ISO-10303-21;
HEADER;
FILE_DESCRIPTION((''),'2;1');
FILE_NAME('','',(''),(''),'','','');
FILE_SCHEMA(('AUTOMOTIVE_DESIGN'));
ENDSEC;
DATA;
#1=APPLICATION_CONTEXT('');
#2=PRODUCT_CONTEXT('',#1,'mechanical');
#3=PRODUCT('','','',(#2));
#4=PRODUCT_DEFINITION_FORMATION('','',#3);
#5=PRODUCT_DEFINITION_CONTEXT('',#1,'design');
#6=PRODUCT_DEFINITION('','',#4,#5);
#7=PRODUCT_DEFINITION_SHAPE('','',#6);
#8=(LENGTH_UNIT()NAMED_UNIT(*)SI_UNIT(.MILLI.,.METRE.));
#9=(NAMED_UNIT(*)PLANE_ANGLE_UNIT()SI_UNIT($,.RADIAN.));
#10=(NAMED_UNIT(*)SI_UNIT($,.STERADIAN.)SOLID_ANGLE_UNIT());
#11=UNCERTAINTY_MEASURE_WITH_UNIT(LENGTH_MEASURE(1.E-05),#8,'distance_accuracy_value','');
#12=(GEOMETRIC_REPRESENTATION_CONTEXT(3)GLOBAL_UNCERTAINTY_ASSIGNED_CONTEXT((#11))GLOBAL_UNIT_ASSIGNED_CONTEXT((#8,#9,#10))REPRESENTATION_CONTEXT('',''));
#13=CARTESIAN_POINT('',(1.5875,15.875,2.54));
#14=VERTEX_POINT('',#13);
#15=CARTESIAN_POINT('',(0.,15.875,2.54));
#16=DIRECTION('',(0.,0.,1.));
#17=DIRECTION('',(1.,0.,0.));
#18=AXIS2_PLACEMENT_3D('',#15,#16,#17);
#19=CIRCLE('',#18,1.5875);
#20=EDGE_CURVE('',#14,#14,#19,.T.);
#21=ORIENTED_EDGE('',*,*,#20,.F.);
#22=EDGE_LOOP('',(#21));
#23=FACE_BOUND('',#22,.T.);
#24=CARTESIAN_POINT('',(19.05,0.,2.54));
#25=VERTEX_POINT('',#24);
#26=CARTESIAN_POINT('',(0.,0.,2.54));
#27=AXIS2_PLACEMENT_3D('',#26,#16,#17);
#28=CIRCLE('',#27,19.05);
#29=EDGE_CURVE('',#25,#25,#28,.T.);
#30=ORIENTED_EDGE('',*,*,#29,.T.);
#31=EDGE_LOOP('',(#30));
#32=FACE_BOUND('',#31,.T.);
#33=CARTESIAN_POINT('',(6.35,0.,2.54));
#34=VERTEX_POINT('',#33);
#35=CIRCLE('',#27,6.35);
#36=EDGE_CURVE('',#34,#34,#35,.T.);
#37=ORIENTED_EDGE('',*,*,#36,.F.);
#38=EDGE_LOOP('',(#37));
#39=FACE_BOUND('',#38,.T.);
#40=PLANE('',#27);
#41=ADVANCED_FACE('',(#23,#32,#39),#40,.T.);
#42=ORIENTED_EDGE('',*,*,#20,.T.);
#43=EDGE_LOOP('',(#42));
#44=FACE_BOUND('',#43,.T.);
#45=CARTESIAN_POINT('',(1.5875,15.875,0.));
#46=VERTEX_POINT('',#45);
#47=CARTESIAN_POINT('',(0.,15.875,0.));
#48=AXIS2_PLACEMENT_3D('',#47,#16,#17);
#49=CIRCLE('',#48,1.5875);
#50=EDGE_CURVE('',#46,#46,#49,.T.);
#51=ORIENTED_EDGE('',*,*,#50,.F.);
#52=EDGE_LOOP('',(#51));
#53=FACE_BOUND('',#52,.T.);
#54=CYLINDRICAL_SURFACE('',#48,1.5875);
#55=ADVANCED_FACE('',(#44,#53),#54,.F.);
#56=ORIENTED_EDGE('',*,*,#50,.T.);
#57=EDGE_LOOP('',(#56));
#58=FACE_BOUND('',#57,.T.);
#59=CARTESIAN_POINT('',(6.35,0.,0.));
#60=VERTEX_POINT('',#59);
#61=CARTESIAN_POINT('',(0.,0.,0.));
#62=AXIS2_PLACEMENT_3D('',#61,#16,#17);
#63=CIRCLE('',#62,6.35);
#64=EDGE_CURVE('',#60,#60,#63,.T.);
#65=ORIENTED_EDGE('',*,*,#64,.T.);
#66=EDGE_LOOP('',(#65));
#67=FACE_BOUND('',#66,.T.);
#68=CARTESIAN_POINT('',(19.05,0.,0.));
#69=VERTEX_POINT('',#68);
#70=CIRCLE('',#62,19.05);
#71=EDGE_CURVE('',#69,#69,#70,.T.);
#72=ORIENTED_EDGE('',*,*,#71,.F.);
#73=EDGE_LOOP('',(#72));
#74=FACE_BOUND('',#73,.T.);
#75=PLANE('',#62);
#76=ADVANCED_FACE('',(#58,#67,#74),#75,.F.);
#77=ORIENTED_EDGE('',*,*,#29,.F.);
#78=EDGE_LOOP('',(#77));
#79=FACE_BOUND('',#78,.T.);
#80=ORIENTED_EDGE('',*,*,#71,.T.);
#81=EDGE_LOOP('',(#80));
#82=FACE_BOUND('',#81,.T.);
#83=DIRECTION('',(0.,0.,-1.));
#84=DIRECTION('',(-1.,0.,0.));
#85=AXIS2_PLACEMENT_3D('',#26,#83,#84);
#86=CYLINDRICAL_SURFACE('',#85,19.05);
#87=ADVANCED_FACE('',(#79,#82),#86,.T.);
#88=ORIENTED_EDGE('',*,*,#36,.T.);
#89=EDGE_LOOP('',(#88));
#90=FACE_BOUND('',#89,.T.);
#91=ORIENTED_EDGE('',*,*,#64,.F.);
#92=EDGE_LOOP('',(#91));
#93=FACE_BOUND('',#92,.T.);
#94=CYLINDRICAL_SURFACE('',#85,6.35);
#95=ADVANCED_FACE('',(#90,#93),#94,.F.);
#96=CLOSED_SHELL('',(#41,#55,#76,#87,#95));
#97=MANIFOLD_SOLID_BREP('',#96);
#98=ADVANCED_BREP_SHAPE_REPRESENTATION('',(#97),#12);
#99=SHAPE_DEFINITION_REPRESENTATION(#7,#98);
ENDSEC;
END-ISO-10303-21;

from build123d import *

# Parameters (mm, degrees)
SKETCH1_R           = 19.05
SKETCH1_R_2         = 6.35
BOSS_EXTRUDE1_DEPTH = 2.54
SKETCH2_R           = 1.5875
CUT_EXTRUDE1_DEPTH  = 3.54


with BuildPart() as part:
    # Sketch1 → Boss-Extrude1 (new body)
    with BuildSketch(Plane.XY):
        Circle(SKETCH1_R)
        Circle(SKETCH1_R_2, mode=Mode.SUBTRACT)
    extrude(amount=BOSS_EXTRUDE1_DEPTH)

    # Sketch2 → Cut-Extrude1 (cut, through all)
    with BuildSketch(Plane.XY.offset(2.54)):
        with Locations((0, 15.875)):
            Circle(SKETCH2_R)
    extrude(amount=-CUT_EXTRUDE1_DEPTH, mode=Mode.SUBTRACT)


solid = part.part
